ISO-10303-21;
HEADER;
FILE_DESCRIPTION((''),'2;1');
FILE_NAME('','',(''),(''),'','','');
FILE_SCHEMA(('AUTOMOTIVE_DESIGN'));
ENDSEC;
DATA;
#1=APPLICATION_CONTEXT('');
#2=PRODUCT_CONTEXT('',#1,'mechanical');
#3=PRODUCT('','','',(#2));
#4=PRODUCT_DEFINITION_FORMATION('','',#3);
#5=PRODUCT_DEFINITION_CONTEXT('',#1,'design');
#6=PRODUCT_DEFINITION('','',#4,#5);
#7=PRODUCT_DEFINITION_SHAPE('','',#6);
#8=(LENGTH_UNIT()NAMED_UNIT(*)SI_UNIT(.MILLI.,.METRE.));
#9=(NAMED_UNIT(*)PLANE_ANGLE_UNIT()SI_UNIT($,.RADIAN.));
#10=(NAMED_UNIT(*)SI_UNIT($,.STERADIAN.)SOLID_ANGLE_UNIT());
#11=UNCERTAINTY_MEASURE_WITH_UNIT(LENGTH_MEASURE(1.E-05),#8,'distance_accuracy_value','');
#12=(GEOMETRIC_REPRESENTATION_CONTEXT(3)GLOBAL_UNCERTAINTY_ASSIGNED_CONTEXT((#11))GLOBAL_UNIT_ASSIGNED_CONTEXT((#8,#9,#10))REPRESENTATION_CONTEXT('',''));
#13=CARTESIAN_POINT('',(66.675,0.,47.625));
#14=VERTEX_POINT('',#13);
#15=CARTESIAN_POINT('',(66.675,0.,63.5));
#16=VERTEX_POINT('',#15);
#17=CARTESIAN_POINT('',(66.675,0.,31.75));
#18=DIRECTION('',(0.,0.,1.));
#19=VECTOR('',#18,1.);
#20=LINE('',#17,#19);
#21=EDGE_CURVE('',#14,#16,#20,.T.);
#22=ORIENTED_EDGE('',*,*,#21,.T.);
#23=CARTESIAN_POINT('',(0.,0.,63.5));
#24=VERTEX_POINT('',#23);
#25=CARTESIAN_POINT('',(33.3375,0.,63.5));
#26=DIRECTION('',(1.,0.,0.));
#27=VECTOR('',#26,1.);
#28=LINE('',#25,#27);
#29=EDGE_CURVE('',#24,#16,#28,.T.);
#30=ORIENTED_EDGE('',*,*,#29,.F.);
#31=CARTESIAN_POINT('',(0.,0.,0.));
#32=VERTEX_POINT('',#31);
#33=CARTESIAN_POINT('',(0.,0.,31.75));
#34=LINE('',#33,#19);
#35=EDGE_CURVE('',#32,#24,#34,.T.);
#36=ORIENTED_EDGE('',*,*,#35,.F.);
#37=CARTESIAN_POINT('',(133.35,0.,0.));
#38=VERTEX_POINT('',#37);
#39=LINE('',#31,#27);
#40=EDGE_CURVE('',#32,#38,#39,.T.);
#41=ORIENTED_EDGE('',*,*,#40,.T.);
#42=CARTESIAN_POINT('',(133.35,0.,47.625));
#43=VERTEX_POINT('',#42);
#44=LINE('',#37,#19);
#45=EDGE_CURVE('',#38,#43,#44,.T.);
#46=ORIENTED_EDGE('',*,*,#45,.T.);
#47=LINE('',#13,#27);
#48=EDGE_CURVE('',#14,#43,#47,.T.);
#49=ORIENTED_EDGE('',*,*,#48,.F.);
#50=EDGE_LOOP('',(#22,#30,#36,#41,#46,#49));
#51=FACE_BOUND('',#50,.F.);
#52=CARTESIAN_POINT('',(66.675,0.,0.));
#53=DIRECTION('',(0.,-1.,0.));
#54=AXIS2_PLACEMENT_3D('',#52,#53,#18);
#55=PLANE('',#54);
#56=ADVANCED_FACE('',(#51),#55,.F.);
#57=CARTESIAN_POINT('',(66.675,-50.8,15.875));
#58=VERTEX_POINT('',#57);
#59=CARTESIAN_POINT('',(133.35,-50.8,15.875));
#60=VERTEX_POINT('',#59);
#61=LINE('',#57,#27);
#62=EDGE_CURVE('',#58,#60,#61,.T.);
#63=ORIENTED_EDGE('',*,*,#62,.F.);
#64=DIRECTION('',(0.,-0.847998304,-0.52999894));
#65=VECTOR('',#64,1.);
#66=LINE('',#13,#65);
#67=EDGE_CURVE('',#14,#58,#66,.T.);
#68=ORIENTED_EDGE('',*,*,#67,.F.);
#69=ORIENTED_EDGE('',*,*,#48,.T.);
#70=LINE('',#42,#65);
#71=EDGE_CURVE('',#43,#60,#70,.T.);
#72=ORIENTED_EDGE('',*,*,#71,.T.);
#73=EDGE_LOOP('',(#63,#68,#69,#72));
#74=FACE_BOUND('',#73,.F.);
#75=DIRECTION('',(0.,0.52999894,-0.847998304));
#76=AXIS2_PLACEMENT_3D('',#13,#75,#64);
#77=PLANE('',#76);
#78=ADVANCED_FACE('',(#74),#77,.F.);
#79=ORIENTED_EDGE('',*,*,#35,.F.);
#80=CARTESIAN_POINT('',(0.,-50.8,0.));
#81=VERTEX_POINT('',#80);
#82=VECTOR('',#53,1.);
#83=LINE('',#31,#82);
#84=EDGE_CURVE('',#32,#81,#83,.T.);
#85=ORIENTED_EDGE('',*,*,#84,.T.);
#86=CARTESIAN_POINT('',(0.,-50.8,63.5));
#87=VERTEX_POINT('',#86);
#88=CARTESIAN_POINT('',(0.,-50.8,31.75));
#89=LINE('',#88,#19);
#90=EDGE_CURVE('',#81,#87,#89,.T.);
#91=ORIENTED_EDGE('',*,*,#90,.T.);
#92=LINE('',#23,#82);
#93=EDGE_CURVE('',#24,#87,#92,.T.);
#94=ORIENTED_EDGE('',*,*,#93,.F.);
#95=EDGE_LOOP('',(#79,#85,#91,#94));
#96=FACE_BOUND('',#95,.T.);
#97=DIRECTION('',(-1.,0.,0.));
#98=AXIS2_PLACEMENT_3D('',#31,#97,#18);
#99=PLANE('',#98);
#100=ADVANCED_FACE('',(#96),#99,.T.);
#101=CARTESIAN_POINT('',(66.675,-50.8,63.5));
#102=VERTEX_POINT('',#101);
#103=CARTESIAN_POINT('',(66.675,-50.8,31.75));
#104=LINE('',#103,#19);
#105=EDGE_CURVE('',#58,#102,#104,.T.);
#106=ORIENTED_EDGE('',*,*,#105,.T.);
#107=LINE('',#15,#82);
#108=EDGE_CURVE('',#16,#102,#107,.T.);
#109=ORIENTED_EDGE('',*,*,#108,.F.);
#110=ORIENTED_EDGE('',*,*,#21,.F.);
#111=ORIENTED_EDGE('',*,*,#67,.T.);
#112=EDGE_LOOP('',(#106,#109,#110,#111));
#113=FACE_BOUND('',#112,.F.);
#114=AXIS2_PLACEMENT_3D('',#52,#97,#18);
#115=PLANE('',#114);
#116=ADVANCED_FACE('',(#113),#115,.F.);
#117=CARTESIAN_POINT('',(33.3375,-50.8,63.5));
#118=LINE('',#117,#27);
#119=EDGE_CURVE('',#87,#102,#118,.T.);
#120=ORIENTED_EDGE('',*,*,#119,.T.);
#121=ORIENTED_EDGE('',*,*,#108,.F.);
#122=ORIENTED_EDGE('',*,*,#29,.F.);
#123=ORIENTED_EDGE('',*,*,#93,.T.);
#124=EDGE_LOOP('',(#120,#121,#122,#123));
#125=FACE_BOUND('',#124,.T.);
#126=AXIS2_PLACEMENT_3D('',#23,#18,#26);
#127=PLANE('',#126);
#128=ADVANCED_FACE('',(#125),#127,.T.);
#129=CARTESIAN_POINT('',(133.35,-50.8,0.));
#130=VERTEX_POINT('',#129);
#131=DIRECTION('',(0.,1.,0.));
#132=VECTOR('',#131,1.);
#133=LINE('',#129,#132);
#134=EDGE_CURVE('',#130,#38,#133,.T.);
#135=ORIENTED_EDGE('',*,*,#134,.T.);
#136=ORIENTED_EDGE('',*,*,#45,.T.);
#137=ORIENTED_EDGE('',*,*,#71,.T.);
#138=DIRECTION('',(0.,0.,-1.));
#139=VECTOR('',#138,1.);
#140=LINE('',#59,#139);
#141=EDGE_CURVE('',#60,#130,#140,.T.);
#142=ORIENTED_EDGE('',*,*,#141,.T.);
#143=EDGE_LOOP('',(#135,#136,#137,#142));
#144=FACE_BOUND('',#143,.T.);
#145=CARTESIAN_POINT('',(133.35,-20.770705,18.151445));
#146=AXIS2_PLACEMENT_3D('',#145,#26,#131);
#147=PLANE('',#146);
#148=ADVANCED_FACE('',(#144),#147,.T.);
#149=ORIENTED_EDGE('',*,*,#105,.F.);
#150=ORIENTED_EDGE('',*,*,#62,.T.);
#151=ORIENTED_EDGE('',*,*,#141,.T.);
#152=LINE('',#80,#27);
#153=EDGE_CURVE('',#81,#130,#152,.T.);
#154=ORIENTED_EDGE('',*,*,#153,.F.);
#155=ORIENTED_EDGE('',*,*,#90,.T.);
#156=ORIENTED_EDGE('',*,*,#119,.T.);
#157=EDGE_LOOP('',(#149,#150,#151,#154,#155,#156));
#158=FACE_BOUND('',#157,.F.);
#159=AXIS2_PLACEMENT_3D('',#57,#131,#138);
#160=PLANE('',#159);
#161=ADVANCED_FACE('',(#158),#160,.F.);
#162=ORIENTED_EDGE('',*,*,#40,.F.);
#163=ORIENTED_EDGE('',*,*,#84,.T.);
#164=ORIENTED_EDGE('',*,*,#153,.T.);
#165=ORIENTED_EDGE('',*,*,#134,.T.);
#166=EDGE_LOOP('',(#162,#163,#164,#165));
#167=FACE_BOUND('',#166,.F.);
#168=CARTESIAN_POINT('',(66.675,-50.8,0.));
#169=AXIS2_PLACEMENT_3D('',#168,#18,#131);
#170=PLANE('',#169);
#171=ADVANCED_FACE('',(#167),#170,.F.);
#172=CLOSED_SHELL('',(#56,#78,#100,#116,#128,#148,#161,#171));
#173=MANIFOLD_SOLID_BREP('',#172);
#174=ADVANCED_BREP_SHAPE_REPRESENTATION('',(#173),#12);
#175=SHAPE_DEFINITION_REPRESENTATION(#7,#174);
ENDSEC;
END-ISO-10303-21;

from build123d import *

# Parameters (mm, degrees)
F0_W     = 66.675
F0_H     = 63.5
F1_DEPTH = 50.8
F3_DEPTH = 66.675


with BuildPart() as f1:
    # F0 (on Front) → F1 (new body)
    with BuildSketch(Plane.XZ):
        with Locations((33.3375, 31.75)):
            Rectangle(F0_W, F0_H)
    extrude(amount=F1_DEPTH)

    # F2 (on face) → F3 (join)
    with BuildSketch(Plane.YZ.offset(66.675)):
        Polygon((-50.8, 15.875), (-50.8, 0), (0, 0), (0, 47.625), align=None)
    extrude(amount=F3_DEPTH)


solid = f1.part
